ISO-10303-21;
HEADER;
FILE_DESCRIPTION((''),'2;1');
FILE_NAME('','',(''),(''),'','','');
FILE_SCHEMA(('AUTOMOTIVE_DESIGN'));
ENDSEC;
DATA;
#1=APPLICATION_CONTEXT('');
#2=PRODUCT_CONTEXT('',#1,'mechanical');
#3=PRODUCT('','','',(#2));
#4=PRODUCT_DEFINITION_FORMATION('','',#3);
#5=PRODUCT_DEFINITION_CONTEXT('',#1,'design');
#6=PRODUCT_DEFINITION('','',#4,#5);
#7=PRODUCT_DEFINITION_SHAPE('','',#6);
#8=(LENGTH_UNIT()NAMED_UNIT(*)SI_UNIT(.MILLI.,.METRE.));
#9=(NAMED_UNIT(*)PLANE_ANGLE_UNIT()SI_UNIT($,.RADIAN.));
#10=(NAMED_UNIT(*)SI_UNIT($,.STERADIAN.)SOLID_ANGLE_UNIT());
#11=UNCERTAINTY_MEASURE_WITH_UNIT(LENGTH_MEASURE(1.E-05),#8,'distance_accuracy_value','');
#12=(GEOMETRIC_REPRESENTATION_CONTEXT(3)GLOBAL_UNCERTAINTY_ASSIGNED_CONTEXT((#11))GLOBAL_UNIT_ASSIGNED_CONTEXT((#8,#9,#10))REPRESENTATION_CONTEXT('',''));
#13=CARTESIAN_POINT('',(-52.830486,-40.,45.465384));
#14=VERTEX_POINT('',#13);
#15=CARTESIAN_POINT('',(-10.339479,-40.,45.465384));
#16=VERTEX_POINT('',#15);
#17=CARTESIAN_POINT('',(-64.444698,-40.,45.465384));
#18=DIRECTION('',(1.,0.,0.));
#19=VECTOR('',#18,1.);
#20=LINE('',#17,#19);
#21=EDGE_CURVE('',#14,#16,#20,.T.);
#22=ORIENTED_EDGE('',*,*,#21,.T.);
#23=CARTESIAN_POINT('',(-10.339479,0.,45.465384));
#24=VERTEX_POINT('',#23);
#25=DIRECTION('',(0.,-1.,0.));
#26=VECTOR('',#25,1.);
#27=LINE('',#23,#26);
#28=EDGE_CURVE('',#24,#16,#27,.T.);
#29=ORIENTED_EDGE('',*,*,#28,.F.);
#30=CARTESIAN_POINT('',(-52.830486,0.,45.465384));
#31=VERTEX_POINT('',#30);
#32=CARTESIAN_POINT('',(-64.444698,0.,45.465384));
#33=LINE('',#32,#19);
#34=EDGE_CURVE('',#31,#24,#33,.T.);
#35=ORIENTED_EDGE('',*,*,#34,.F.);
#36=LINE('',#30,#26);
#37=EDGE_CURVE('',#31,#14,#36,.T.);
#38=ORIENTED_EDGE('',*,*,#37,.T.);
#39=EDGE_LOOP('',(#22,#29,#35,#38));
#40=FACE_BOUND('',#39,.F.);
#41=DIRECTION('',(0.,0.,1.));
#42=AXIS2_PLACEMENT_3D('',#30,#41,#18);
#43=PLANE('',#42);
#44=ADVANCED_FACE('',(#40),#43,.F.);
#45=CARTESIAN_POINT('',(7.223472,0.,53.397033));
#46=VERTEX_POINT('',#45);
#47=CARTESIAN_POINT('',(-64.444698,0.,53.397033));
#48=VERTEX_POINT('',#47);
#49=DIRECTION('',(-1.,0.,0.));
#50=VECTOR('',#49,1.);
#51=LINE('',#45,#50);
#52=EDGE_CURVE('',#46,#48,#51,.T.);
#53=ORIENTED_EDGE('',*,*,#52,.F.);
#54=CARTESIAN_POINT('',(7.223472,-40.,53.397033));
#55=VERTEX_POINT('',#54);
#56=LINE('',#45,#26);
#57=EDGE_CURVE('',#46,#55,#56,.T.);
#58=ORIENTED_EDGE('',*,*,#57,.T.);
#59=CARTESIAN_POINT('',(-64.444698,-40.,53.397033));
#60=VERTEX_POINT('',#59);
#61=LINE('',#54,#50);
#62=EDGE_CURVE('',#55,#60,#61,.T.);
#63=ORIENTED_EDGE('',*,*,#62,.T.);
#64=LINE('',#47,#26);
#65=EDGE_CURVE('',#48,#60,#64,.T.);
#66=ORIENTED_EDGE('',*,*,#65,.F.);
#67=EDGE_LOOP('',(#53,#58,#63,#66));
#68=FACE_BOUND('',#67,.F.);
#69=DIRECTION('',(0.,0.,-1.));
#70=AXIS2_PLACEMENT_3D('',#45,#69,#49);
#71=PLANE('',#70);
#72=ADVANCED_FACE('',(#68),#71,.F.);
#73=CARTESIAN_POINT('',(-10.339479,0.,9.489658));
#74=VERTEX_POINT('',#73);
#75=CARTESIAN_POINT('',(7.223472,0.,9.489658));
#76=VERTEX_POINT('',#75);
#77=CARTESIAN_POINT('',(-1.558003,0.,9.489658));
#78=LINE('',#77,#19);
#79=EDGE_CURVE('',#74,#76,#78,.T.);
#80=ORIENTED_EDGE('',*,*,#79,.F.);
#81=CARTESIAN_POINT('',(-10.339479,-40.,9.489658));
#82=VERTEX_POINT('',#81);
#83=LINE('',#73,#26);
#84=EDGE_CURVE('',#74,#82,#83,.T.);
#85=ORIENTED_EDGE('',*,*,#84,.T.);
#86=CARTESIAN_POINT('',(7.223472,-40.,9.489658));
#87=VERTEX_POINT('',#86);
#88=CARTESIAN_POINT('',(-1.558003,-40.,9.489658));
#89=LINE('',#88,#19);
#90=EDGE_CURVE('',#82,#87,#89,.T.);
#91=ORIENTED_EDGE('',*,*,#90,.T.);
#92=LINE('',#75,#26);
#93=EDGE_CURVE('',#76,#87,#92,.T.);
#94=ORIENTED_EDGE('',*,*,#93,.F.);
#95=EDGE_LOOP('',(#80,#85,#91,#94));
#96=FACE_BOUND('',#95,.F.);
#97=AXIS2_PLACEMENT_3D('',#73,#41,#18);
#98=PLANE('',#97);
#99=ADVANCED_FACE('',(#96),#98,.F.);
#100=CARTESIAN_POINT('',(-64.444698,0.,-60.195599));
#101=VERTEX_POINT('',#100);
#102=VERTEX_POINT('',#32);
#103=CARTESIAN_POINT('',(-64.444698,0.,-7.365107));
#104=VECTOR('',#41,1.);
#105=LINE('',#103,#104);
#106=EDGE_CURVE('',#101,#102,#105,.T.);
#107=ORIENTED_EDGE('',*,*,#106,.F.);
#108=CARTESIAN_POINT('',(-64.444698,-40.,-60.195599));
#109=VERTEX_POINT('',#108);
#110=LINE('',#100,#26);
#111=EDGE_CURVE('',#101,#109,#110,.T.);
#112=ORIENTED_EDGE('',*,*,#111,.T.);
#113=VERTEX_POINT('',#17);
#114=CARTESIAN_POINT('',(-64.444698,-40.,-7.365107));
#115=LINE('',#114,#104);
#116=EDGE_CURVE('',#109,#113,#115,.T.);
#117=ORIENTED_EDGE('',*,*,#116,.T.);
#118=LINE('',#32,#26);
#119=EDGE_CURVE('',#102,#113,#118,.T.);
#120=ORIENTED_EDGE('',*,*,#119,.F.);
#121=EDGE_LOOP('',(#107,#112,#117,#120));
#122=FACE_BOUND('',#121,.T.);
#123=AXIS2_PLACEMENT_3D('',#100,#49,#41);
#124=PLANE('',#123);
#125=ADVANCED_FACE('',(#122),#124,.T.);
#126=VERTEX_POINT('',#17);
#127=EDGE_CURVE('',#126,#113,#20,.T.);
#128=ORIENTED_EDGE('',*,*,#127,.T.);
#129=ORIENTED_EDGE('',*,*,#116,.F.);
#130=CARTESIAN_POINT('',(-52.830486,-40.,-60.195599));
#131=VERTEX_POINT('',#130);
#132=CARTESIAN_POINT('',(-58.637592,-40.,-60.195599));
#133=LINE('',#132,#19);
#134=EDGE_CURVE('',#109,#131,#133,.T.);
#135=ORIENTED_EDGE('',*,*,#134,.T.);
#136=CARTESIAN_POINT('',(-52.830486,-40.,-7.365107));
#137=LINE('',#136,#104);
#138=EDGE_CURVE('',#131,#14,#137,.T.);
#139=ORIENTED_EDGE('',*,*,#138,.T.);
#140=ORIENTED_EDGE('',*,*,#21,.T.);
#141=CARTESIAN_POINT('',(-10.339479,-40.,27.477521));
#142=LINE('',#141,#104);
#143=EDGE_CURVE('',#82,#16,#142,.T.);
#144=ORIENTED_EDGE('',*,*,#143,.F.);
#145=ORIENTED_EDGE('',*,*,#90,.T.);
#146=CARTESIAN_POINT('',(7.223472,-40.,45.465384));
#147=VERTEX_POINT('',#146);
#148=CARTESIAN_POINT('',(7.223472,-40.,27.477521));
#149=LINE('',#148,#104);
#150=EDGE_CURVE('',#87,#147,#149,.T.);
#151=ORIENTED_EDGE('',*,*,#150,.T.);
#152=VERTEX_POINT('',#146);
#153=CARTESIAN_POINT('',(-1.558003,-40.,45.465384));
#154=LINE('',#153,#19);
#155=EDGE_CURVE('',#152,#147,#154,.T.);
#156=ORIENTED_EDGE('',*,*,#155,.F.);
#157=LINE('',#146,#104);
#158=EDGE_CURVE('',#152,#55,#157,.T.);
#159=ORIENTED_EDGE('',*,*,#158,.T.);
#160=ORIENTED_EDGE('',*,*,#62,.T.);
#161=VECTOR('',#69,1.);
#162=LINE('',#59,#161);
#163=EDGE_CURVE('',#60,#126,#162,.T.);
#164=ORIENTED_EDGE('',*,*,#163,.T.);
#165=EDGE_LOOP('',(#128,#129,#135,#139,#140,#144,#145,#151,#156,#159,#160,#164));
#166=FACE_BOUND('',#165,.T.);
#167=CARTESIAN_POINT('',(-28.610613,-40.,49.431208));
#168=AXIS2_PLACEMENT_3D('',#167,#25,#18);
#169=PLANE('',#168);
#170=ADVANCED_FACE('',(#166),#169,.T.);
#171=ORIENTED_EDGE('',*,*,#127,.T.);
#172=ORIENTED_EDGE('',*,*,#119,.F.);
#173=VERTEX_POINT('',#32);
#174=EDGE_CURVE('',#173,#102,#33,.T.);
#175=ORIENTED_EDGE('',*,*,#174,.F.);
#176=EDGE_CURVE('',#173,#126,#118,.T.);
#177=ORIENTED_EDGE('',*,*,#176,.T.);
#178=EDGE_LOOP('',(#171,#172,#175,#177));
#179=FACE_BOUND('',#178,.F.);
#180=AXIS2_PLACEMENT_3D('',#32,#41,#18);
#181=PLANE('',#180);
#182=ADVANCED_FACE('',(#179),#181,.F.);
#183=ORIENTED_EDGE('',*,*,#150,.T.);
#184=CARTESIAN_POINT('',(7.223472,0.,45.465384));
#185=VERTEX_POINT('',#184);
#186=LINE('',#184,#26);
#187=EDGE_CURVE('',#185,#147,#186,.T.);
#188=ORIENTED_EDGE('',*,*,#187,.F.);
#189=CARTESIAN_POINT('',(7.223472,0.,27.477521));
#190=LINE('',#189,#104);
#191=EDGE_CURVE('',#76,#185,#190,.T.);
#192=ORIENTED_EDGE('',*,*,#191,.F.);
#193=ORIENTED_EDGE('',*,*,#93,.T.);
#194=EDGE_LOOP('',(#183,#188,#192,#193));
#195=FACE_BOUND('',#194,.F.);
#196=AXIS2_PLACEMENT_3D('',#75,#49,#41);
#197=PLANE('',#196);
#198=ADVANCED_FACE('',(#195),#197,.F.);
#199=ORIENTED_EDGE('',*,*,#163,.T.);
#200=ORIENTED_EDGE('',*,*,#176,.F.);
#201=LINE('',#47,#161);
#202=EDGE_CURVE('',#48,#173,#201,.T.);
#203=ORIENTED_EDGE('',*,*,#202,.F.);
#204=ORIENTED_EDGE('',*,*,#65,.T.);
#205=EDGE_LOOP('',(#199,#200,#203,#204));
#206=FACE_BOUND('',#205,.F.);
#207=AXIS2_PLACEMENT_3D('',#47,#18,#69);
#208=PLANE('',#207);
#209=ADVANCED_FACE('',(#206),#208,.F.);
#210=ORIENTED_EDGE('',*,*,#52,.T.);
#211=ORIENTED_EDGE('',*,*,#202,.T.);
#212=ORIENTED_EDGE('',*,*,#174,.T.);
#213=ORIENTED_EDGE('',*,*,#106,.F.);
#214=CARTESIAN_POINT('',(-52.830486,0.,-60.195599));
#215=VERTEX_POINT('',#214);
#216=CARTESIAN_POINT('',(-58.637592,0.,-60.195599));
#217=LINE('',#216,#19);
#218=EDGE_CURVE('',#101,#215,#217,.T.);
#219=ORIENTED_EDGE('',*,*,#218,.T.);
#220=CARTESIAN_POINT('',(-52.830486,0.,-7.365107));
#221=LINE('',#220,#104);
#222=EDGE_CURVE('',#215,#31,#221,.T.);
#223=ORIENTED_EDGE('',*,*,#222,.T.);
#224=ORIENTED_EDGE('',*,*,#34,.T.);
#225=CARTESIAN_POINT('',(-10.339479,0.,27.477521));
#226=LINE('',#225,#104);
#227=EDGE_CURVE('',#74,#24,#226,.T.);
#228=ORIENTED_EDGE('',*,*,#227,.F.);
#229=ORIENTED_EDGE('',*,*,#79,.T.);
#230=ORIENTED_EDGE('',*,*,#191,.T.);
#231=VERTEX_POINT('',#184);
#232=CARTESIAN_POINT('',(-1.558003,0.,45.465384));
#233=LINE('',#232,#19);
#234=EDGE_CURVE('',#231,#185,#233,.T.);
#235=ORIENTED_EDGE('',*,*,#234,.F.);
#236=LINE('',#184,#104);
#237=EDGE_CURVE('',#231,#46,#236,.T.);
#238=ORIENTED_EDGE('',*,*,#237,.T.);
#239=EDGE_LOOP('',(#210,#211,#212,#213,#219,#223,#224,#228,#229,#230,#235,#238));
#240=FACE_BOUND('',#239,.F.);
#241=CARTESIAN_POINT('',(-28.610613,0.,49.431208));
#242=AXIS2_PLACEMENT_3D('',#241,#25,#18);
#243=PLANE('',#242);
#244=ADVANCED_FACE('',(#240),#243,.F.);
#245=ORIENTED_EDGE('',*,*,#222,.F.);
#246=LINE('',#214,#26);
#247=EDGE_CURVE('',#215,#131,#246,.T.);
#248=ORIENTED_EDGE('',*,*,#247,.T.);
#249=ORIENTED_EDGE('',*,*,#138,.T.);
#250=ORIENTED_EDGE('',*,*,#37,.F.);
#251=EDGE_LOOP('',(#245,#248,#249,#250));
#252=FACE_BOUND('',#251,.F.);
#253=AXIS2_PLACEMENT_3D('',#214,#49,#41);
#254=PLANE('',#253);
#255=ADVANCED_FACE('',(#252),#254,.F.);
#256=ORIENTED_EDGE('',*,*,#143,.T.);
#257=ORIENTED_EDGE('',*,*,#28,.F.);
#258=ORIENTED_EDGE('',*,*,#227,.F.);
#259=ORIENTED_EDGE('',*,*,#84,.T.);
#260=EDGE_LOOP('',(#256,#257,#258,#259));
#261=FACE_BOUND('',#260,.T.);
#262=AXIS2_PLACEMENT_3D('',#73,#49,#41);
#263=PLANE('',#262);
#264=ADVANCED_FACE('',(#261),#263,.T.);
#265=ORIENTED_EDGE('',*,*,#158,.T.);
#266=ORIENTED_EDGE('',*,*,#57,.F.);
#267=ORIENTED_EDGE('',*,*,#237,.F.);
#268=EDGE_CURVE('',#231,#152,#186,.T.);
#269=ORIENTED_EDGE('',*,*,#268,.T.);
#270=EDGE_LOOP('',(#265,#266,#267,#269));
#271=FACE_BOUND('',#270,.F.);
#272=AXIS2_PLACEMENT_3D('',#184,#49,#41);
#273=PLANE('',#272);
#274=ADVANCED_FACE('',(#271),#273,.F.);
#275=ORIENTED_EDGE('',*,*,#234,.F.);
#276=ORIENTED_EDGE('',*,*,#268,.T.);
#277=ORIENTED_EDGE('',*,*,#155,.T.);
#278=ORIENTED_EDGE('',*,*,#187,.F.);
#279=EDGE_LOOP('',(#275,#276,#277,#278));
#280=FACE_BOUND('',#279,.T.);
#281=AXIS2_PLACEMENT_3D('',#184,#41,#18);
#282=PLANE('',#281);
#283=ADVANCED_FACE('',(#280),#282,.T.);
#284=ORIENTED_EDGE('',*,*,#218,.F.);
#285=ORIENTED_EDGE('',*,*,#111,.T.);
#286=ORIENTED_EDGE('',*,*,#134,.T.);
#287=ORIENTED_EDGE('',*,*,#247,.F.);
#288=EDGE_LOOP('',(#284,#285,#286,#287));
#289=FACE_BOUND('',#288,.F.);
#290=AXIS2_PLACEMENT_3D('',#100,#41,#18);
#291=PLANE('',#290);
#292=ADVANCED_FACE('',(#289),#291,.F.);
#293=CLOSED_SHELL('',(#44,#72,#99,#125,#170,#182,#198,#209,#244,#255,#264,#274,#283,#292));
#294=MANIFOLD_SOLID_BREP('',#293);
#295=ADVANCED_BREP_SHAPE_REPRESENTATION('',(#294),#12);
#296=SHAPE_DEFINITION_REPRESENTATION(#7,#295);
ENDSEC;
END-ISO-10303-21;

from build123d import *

# Parameters (mm, degrees)
F0_W     = 11.614211
F0_H     = 105.660983
F0_W_2   = 17.562951
F0_H_2   = 35.975726
F1_DEPTH = 40


with BuildPart() as f1:
    # F0 (on Front) → F1 (new body)
    with BuildSketch(Plane.XZ):
        Polygon((-64.444698, 53.397033), (-64.444698, 45.465384), (-52.830487, 45.465384), (-10.339479, 45.465384), (7.223472, 45.465384), (7.223472, 53.397033), align=None)
        with Locations((-58.637592, -7.365107)):
            Rectangle(F0_W, F0_H)
        with Locations((-1.558003, 27.477521)):
            Rectangle(F0_W_2, F0_H_2)
    extrude(amount=F1_DEPTH)


solid = f1.part
